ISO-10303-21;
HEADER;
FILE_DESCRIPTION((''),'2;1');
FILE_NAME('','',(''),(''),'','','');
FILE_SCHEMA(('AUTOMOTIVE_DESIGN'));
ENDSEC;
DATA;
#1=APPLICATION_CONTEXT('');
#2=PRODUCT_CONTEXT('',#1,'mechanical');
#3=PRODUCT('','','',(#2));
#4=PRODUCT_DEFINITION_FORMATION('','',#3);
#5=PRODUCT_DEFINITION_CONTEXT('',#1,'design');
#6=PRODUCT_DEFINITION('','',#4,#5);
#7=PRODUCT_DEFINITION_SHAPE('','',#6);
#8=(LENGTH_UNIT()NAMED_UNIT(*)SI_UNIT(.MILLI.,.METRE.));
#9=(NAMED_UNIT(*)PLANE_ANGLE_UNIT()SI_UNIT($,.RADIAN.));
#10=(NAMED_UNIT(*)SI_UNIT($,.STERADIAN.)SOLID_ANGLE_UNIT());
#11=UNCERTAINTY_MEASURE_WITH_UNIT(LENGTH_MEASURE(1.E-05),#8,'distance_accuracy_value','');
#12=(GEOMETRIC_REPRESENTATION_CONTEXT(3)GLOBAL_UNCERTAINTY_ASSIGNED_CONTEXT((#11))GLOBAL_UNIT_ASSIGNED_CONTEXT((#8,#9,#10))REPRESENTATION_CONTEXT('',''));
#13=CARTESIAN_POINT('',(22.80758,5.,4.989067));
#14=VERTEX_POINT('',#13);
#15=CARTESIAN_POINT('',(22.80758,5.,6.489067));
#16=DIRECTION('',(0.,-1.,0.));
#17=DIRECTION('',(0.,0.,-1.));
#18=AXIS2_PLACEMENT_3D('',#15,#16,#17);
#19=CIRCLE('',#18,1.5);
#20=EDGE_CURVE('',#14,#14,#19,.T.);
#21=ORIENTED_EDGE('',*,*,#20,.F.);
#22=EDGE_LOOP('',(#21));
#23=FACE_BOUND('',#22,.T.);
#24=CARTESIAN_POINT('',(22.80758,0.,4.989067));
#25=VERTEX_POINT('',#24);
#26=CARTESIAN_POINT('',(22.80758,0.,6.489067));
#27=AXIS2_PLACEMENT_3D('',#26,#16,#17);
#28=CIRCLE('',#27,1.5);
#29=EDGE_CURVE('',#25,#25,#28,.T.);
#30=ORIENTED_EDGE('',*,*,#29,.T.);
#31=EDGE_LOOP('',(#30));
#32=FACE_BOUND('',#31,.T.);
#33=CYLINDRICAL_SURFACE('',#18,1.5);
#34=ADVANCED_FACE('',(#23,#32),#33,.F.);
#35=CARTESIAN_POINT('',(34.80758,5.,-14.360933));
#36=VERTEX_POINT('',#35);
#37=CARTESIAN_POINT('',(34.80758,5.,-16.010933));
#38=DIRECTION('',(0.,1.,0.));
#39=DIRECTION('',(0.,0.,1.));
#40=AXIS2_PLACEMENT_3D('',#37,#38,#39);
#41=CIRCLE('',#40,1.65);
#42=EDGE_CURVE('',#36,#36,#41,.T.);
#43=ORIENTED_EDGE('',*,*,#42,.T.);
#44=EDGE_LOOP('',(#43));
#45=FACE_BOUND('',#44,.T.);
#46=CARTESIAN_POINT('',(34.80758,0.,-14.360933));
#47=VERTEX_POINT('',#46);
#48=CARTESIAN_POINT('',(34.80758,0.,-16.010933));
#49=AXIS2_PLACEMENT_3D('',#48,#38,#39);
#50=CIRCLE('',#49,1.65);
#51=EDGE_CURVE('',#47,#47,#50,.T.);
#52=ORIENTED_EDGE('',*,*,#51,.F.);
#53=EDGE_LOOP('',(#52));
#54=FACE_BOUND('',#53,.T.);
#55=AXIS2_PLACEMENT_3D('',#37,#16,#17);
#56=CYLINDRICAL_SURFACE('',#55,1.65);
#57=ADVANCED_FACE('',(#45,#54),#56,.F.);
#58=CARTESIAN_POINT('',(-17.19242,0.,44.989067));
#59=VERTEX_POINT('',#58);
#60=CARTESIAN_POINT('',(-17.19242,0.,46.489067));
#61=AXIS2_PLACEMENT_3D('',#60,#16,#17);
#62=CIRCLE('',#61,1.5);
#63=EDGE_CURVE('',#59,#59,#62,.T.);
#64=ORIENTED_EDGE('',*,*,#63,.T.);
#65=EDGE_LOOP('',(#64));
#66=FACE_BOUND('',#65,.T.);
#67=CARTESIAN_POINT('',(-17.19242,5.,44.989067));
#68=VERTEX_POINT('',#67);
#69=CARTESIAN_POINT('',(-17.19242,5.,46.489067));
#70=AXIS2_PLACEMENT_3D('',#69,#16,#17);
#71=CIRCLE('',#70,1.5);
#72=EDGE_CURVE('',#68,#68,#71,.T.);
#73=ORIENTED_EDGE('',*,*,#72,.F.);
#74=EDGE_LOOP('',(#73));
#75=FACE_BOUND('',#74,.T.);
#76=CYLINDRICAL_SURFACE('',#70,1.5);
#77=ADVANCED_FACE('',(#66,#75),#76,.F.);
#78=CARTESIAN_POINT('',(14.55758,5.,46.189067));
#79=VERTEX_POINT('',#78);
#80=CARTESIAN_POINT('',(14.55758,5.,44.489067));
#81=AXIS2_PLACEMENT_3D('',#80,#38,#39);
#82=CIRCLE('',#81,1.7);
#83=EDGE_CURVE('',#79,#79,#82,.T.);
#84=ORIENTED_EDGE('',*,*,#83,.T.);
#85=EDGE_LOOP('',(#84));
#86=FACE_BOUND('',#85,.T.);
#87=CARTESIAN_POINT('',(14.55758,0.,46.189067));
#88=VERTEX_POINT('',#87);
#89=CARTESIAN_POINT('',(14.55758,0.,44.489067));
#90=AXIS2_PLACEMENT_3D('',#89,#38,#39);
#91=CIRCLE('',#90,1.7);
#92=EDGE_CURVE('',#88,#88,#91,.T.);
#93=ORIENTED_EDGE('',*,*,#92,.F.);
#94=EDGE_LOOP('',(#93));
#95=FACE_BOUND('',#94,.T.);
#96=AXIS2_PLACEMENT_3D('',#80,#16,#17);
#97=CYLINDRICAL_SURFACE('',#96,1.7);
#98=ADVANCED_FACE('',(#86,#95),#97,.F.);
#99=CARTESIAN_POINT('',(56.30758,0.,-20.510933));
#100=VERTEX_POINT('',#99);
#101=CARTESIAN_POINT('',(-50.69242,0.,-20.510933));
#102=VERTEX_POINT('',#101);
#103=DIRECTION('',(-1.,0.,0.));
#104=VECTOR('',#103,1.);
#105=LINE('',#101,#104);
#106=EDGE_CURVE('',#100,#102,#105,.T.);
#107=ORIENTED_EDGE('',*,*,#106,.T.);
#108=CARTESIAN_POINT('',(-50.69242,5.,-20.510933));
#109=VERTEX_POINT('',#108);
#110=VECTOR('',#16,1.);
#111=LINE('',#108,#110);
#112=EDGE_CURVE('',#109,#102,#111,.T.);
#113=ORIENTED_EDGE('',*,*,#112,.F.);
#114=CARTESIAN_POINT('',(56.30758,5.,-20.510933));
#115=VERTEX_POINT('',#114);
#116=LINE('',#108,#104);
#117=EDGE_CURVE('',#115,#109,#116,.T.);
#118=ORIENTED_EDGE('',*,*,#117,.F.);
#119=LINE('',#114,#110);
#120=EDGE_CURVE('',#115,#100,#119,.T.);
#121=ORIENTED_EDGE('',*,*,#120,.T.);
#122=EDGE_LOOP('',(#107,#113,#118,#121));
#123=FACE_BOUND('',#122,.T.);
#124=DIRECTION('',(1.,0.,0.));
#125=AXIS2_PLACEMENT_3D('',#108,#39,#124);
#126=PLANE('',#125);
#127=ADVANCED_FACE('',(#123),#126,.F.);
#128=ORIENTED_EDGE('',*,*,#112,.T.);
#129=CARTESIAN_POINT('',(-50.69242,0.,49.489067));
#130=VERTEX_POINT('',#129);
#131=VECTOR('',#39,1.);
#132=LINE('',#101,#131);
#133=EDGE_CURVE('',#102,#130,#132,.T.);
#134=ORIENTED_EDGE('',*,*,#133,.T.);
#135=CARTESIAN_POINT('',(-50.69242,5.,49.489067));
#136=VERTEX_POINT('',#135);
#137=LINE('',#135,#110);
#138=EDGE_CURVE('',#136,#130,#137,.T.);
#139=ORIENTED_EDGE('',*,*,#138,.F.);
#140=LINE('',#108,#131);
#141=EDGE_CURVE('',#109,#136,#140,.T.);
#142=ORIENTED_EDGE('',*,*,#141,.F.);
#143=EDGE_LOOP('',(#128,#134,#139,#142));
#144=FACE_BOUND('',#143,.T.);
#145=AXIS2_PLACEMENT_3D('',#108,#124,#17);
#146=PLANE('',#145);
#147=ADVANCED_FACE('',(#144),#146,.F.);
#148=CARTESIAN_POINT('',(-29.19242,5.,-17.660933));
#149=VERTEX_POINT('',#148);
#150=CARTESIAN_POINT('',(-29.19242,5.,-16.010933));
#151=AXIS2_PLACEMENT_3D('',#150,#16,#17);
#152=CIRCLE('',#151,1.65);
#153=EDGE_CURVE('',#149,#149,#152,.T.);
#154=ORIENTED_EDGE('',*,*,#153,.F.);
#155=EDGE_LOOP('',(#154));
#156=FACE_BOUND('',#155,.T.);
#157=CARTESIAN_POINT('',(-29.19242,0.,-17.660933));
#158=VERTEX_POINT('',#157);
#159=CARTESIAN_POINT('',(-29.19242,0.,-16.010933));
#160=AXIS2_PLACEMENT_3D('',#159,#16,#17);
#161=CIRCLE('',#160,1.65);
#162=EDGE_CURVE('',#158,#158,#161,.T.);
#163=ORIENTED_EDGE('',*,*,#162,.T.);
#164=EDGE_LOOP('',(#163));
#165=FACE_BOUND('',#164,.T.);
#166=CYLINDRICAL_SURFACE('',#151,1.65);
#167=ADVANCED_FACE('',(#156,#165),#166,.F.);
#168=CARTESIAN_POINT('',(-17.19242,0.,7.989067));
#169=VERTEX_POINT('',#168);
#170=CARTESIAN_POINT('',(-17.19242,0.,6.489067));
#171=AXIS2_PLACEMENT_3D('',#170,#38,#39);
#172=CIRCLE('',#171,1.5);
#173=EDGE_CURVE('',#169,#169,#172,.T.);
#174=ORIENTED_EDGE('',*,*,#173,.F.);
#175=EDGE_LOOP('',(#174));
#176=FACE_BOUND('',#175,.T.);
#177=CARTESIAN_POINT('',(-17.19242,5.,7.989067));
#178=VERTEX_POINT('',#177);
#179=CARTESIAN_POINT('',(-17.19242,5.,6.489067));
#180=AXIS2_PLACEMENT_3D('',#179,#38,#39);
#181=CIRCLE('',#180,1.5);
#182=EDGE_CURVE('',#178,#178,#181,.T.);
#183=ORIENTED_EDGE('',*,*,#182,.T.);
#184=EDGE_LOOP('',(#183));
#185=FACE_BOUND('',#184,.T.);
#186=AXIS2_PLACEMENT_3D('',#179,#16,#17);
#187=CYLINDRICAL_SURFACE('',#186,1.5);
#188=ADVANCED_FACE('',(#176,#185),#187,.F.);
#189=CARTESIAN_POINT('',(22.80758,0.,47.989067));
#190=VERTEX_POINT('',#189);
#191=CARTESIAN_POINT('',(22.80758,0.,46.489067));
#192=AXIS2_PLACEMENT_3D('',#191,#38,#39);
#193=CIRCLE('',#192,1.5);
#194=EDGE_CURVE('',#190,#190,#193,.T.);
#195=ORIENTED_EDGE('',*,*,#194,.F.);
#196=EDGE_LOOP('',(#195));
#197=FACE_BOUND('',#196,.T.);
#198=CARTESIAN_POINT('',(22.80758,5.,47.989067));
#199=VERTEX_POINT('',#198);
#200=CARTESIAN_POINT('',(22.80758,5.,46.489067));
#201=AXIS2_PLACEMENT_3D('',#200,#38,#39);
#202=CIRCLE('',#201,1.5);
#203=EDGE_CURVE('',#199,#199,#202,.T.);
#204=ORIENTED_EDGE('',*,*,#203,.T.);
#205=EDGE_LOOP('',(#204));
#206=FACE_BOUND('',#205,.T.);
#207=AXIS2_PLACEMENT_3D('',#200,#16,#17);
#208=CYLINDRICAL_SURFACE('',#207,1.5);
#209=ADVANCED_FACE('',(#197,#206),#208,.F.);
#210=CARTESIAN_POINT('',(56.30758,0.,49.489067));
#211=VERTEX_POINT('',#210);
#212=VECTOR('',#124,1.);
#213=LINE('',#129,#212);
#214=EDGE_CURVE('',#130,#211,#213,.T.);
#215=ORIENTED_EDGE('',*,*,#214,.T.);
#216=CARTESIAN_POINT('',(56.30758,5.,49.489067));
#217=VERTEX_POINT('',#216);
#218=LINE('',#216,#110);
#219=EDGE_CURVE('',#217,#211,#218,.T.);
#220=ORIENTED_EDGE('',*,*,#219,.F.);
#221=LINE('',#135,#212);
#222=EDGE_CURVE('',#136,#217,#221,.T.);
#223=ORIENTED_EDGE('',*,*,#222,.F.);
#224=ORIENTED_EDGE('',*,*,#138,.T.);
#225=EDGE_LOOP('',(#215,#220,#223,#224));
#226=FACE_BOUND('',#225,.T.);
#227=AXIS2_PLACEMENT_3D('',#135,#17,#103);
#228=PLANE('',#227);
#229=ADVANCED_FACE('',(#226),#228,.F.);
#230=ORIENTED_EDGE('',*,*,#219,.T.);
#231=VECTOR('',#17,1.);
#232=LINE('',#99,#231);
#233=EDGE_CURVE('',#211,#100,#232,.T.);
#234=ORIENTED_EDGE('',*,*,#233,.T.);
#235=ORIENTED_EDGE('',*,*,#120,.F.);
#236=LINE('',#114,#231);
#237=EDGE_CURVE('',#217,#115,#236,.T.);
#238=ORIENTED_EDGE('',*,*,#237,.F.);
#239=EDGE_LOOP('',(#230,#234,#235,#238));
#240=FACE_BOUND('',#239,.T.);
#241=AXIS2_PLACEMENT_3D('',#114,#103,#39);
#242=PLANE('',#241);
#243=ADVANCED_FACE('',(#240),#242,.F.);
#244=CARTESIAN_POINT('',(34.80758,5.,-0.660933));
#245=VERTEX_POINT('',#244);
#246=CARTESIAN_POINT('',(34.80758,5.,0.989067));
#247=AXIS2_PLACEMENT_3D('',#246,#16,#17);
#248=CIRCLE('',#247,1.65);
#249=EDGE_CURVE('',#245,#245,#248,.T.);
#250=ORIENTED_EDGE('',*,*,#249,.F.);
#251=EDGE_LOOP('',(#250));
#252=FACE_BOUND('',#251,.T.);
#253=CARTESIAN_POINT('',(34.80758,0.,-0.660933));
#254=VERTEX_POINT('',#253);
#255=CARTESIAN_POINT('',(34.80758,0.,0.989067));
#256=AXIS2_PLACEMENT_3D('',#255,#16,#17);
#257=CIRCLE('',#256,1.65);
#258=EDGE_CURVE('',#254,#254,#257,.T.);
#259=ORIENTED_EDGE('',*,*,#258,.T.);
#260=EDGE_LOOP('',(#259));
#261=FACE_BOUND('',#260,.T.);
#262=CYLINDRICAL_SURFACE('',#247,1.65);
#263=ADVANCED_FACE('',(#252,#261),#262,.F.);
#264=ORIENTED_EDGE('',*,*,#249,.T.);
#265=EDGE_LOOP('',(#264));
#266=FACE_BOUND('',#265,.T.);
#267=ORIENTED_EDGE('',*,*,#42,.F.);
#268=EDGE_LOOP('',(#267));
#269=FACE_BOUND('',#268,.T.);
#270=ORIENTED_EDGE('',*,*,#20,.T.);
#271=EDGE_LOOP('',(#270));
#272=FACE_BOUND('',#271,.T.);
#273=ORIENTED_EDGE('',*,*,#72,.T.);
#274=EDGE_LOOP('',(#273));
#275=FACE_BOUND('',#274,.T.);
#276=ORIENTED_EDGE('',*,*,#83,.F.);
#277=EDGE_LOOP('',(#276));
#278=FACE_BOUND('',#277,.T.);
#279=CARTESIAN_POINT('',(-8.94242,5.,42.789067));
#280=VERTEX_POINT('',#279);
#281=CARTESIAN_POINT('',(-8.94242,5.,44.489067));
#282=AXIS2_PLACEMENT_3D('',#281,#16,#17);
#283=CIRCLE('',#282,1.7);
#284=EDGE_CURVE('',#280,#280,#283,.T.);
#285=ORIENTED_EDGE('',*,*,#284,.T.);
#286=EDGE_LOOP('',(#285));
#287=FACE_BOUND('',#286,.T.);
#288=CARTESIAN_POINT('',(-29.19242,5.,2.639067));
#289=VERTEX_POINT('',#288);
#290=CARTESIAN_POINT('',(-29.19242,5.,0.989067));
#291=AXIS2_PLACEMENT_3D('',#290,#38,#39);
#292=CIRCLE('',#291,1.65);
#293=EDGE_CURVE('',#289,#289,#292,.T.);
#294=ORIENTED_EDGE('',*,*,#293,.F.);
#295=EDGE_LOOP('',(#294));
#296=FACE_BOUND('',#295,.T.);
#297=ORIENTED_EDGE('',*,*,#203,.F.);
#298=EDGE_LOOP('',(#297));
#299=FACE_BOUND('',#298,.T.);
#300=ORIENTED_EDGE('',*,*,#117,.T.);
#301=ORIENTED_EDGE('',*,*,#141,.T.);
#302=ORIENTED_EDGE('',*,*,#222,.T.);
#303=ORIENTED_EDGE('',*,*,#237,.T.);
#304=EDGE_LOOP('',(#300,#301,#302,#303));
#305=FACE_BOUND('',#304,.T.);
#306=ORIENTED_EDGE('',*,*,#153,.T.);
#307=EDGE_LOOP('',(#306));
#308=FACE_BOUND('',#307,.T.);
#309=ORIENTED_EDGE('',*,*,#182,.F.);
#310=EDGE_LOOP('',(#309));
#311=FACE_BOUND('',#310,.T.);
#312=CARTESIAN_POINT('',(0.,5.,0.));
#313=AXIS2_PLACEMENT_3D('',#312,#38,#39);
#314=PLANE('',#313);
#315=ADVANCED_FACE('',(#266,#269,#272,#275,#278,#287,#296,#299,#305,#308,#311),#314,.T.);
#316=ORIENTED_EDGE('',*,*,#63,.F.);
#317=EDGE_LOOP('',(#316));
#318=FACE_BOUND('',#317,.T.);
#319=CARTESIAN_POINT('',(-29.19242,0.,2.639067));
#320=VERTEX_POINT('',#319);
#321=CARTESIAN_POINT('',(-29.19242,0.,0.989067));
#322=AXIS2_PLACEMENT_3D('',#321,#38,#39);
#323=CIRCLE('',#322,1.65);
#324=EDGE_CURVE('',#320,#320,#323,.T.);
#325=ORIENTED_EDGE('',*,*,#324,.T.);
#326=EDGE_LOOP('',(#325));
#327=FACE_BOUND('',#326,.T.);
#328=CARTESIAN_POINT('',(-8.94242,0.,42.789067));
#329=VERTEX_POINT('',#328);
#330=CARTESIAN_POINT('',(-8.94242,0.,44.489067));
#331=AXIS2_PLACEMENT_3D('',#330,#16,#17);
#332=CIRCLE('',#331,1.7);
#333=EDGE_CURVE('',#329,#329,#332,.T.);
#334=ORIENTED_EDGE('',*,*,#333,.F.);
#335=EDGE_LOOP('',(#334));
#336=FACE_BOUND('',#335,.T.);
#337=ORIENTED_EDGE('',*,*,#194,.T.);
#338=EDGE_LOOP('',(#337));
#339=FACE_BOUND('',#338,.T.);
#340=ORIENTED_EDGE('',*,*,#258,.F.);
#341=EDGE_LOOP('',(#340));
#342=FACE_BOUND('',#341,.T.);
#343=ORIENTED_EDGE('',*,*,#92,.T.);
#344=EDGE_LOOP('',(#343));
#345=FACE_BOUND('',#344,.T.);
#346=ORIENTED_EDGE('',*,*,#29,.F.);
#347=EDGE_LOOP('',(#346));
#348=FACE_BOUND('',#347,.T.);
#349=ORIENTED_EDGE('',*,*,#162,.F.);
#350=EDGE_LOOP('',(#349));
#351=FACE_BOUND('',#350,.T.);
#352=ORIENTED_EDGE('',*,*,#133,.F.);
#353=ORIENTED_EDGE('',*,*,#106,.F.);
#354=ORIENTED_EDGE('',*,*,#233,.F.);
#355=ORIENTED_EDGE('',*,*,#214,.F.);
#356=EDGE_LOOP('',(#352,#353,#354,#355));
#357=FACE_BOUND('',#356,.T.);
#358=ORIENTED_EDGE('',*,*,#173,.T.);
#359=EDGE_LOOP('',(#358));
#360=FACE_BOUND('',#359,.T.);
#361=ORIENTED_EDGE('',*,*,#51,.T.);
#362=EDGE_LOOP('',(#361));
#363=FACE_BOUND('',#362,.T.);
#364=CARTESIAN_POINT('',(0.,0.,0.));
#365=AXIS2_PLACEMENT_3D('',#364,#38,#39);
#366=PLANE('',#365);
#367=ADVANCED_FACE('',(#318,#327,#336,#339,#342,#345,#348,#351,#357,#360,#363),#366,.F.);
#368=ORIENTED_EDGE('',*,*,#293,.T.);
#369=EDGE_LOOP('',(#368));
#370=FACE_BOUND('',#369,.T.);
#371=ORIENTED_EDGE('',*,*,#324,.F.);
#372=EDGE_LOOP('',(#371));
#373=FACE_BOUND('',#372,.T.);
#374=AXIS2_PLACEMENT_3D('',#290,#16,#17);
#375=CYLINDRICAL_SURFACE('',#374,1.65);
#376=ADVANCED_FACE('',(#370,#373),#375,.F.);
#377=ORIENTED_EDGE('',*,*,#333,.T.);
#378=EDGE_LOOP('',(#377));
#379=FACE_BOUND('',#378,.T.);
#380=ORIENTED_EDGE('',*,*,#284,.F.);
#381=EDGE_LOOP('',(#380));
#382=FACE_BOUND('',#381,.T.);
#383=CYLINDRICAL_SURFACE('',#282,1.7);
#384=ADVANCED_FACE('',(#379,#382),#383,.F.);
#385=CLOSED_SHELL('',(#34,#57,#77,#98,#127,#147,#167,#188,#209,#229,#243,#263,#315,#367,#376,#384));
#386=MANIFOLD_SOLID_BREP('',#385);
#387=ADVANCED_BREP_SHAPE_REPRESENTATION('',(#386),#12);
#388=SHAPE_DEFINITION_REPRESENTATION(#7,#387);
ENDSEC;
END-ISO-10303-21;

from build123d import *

# Parameters (mm, degrees)
SKETCH_1_W          = 107
SKETCH_1_H          = 70
EXTRUDE_1_DEPTH     = 5
SKETCH_2_R          = 1.7
SKETCH_2_R_2        = 1.65
SKETCH_2_R_3        = 1.5
CUT_EXTRUDE_1_DEPTH = 5


with BuildPart() as part:
    # 草图1 → 凸台-拉伸1 (new body)
    with BuildSketch(Plane(origin=(0, 0, 0), x_dir=(1, 0, 0), z_dir=(0, 1, 0))):
        with Locations((2.807580175, -14.489067055)):
            Rectangle(SKETCH_1_W, SKETCH_1_H)
    extrude(amount=EXTRUDE_1_DEPTH)

    # 草图2 → 切除-拉伸1 (cut)
    with BuildSketch(Plane.XZ):
        with Locations(Location((-8.942419825, 44.489067055, 0), (0, 0, 270))):
            Circle(SKETCH_2_R)
        with Locations(Location((-29.192419825, -16.010932945, 0), (0, 0, 270))):
            Circle(SKETCH_2_R_2)
        with Locations(Location((-29.192419825, 0.989067055, 0), (0, 0, 90))):
            Circle(SKETCH_2_R_2)
        with Locations(Location((14.557580175, 44.489067055, 0), (0, 0, 90))):
            Circle(SKETCH_2_R)
        with Locations(Location((34.807580175, -16.010932945, 0), (0, 0, 90))):
            Circle(SKETCH_2_R_2)
        with Locations(Location((34.807580175, 0.989067055, 0), (0, 0, 270))):
            Circle(SKETCH_2_R_2)
        with Locations(Location((-17.192419825, 46.489067055, 0), (0, 0, 270))):
            Circle(SKETCH_2_R_3)
        with Locations(Location((-17.192419825, 6.489067055, 0), (0, 0, 90))):
            Circle(SKETCH_2_R_3)
        with Locations(Location((22.807580175, 46.489067055, 0), (0, 0, 90))):
            Circle(SKETCH_2_R_3)
        with Locations(Location((22.807580175, 6.489067055, 0), (0, 0, 270))):
            Circle(SKETCH_2_R_3)
    extrude(amount=-CUT_EXTRUDE_1_DEPTH, mode=Mode.SUBTRACT)


solid = part.part
